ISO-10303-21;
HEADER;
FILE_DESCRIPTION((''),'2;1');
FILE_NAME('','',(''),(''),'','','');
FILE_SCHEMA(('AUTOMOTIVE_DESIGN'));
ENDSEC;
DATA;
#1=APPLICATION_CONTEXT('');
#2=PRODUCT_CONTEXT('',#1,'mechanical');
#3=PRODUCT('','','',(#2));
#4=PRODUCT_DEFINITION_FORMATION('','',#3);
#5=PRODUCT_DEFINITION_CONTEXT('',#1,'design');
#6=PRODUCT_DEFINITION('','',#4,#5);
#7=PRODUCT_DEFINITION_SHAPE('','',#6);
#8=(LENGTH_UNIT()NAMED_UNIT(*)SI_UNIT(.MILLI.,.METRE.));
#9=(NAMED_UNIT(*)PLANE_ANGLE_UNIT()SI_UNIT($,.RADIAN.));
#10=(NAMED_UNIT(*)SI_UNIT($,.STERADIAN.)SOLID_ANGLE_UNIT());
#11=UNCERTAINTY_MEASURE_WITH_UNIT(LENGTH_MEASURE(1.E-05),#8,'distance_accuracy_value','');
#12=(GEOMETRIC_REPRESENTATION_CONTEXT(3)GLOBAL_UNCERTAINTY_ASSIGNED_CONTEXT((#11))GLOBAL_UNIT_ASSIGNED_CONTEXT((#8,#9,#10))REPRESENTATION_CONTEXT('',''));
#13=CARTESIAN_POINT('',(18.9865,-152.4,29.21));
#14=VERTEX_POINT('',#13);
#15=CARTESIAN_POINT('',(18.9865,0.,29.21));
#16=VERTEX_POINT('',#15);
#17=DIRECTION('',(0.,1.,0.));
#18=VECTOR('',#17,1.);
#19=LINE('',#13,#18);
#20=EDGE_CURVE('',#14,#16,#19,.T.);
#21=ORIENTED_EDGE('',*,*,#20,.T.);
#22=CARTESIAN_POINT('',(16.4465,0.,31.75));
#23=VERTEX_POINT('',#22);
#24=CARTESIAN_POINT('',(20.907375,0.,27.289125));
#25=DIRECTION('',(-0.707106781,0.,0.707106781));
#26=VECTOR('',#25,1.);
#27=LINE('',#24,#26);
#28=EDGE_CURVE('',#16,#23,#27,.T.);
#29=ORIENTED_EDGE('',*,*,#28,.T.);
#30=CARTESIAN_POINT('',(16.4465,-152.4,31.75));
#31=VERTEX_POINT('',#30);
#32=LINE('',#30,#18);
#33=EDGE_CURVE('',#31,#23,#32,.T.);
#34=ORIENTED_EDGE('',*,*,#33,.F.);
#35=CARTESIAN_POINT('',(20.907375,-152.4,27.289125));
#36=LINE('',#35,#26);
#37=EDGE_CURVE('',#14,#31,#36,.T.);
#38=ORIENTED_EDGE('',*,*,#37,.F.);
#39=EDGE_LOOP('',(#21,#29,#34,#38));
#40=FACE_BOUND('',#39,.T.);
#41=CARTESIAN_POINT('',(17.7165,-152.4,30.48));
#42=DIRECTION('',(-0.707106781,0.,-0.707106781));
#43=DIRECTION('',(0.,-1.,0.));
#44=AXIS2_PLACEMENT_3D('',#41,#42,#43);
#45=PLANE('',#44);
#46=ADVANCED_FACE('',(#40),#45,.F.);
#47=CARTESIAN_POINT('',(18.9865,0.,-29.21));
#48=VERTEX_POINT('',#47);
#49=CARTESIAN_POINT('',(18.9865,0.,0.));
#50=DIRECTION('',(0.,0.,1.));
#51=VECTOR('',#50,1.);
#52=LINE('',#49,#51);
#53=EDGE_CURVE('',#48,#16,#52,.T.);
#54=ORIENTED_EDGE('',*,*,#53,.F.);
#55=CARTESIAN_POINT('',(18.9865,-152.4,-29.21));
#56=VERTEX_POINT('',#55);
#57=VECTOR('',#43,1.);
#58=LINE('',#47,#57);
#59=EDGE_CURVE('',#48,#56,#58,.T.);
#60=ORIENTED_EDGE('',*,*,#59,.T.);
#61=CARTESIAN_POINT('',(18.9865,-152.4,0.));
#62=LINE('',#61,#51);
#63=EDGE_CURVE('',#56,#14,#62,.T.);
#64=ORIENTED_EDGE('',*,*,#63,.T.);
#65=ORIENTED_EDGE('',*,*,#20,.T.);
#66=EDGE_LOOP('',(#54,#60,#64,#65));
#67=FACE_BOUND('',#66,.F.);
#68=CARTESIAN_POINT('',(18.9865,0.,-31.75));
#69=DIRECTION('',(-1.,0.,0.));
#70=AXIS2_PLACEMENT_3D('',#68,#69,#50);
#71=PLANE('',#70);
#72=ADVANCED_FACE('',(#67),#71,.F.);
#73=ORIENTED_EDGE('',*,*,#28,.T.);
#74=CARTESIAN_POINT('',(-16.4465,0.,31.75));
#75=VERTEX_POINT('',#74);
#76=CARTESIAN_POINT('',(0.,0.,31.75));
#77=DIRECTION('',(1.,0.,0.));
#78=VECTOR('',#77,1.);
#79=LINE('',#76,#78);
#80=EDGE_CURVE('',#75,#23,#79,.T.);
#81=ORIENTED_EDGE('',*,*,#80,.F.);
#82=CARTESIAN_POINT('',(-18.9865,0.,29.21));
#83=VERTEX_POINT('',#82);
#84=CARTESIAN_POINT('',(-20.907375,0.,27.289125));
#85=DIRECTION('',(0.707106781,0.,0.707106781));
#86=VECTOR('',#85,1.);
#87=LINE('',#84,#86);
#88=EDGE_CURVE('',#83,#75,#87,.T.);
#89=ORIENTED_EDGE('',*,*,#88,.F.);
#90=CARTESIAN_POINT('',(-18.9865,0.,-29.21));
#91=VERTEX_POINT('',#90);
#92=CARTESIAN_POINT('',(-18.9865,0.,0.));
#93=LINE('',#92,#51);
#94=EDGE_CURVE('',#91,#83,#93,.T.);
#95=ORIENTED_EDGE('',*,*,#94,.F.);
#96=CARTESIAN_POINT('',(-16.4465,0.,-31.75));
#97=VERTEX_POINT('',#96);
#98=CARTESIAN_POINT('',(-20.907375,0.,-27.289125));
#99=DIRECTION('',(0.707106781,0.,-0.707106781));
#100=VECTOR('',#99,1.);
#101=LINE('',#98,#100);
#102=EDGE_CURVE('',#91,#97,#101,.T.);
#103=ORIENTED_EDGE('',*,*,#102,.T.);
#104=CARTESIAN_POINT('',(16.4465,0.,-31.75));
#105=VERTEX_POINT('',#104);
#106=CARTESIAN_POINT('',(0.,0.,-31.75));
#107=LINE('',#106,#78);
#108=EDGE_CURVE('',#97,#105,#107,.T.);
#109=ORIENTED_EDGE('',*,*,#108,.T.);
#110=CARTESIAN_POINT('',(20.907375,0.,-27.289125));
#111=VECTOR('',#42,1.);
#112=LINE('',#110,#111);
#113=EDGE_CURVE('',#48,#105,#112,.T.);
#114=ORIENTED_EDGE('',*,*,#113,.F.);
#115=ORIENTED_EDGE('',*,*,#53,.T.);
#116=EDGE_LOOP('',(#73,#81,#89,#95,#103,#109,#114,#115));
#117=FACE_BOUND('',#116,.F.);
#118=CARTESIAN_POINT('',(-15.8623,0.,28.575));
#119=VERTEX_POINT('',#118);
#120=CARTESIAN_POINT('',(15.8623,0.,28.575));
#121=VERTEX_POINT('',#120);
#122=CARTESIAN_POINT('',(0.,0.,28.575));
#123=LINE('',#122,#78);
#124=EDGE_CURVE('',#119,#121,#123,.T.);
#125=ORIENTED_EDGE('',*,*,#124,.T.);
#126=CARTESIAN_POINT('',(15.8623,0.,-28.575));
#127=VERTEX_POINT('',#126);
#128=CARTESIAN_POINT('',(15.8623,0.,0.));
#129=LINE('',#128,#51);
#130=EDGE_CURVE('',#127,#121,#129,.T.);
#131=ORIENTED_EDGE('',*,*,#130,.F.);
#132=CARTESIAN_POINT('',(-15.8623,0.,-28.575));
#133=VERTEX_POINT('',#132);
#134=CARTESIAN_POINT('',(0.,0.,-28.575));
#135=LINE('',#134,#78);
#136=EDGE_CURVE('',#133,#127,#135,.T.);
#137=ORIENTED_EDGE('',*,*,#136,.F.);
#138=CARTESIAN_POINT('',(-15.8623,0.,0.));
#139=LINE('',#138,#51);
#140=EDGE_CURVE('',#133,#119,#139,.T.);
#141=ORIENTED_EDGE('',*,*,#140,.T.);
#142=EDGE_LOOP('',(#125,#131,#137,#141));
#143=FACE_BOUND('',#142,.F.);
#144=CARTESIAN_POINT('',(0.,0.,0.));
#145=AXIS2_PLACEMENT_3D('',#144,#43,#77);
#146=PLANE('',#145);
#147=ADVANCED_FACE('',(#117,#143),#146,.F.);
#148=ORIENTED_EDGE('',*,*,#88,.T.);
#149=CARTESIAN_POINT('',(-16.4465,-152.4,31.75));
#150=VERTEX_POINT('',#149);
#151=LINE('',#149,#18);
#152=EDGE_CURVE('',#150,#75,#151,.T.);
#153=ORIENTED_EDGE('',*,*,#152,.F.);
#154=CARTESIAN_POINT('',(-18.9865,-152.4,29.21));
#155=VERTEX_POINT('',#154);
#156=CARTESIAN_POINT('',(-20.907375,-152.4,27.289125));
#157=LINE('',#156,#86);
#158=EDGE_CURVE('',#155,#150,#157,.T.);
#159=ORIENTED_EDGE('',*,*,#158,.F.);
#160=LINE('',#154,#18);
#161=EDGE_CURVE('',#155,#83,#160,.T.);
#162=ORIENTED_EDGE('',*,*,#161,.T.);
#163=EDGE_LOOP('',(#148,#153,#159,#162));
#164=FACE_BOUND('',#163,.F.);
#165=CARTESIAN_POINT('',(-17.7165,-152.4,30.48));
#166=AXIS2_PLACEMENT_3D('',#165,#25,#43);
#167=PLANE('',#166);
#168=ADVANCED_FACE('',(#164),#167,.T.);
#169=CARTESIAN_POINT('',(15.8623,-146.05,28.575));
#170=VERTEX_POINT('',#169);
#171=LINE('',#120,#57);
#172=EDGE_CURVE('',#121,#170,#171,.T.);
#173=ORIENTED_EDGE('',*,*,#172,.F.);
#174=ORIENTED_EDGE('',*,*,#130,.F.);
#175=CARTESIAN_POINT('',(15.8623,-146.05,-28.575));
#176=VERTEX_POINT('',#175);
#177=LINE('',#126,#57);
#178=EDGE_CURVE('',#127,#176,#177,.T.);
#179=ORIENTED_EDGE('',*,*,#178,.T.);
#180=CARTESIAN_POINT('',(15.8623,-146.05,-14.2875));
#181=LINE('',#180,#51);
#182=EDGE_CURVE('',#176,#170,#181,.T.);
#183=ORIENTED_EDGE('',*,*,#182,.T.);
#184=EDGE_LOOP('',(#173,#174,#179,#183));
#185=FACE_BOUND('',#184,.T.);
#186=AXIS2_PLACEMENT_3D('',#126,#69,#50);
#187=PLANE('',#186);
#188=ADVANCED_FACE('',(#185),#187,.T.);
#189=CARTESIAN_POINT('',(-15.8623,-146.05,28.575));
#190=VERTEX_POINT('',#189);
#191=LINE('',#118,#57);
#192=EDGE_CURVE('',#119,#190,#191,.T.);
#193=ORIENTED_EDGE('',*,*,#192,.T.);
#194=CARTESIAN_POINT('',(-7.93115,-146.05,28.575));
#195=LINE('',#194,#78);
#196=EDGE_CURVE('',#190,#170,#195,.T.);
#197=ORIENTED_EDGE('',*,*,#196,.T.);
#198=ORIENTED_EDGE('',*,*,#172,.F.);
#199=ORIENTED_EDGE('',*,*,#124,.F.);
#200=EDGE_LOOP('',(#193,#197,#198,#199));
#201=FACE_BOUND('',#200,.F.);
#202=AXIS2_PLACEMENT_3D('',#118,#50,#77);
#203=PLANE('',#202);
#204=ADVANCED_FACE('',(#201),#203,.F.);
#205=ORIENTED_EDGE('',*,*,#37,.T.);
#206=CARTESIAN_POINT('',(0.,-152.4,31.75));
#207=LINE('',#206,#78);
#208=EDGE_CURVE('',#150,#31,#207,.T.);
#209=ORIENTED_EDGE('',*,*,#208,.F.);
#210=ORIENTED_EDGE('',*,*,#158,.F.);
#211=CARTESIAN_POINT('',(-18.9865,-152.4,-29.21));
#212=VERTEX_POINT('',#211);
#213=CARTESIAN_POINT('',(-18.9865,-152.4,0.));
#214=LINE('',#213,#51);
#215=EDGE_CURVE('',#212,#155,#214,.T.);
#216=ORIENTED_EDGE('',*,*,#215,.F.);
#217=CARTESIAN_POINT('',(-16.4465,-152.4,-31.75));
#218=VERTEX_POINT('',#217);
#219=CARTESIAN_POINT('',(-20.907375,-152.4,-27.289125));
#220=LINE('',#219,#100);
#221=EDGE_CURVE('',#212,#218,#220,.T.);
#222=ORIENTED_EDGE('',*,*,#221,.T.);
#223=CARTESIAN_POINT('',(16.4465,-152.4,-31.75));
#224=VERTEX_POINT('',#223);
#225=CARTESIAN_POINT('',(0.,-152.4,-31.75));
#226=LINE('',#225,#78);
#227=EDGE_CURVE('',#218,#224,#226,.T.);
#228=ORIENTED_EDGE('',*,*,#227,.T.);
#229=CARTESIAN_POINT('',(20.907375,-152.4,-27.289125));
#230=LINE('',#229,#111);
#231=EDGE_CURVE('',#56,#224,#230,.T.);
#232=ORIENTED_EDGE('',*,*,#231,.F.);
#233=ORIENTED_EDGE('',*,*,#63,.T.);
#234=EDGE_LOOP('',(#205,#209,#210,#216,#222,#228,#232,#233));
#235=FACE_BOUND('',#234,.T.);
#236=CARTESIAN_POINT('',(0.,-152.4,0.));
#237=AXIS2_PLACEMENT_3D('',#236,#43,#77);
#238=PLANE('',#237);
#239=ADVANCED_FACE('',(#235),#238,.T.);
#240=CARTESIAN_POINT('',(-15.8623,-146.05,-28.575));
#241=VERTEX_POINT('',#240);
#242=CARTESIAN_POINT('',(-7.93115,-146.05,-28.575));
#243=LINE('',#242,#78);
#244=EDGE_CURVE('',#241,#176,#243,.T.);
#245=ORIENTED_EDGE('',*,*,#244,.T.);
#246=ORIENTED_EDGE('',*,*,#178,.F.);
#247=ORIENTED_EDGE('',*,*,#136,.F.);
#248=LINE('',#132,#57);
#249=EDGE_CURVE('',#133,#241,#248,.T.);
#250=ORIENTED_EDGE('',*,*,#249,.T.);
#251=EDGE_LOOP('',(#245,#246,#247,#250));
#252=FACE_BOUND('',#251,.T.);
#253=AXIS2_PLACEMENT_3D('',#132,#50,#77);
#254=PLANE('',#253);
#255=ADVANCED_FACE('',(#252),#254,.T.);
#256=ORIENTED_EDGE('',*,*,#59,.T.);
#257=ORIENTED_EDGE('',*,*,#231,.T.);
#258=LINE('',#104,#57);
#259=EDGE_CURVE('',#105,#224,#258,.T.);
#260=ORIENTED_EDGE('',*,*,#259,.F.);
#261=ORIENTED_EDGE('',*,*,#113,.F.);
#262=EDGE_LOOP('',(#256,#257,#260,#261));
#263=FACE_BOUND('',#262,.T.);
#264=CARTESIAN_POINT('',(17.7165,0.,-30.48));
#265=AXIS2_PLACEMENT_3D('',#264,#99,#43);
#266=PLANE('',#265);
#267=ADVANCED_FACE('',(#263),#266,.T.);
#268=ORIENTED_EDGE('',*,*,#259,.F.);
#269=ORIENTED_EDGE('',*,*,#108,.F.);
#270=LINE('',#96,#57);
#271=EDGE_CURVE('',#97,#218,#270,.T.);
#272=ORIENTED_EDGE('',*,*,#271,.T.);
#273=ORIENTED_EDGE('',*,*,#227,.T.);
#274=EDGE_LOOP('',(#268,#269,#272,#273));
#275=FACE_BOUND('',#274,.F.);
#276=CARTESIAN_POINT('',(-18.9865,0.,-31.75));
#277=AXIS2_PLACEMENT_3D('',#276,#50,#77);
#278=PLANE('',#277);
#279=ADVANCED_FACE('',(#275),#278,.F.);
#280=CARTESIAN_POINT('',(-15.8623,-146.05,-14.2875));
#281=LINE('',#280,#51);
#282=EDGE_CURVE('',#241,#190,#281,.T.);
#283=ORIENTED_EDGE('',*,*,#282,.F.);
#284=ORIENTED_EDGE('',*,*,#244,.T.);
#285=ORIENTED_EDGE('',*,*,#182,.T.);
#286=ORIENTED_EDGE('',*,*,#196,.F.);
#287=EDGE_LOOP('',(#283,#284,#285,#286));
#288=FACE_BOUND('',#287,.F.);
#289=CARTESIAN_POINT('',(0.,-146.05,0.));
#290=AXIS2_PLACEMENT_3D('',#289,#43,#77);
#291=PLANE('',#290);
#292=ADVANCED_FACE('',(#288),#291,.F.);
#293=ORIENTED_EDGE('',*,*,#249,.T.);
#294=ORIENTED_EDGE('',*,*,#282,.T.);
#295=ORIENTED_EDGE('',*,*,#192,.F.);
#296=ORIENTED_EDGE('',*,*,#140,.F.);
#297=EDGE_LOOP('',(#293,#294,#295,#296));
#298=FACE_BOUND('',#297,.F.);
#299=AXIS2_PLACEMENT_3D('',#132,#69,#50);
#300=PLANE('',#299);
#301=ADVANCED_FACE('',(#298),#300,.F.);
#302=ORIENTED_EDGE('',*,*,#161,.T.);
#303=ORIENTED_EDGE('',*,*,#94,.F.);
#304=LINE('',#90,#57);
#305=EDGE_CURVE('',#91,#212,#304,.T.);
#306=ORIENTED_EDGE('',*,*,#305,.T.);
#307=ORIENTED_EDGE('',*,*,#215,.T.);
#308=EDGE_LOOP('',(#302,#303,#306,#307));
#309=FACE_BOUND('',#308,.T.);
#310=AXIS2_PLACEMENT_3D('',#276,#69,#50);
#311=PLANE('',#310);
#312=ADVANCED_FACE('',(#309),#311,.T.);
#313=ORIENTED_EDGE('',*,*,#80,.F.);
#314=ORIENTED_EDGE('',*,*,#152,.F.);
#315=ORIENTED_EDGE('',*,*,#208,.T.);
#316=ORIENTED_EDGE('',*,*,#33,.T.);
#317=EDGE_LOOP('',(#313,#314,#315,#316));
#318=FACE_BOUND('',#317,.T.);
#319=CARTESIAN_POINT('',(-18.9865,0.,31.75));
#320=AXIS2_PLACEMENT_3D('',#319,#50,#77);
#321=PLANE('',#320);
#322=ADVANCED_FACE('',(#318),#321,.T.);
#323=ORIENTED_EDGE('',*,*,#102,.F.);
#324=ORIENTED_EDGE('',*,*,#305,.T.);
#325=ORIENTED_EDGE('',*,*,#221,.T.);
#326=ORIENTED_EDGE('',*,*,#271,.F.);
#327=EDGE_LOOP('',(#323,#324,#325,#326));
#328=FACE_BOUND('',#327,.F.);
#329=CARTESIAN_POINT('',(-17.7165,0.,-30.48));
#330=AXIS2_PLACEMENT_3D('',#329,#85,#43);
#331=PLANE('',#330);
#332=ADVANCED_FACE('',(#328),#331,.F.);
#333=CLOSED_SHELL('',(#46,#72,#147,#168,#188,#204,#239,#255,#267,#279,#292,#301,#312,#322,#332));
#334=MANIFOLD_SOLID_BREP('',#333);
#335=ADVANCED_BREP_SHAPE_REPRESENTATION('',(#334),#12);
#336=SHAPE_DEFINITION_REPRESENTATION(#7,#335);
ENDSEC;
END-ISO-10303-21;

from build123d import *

# Parameters (mm, degrees)
F0_W     = 37.973
F0_H     = 63.5
F0_W_2   = 31.7246
F0_H_2   = 57.15
F1_DEPTH = 152.4
F2_W     = 37.973
F2_H     = 63.5
F3_DEPTH = 6.35
F5_SIZE  = 2.54


with BuildPart() as f1:
    # F0 (on Front) → F1 (new body)
    with BuildSketch(Plane.XZ):
        Rectangle(F0_W, F0_H)
        Rectangle(F0_W_2, F0_H_2, mode=Mode.SUBTRACT)
    extrude(amount=F1_DEPTH)

    # F2 (on face) → F3 (join)
    with BuildSketch(Plane.XZ.offset(152.4)):
        Rectangle(F2_W, F2_H)
    extrude(amount=-F3_DEPTH)

    # F5
    f5_edges = [f1.edges().sort_by_distance(p)[0] for p in [
        (18.9865, -76.2, 31.75),
        (-18.9865, -76.2, 31.75),
        (18.9865, -76.2, -31.75),
        (-18.9865, -76.2, -31.75),
    ]]
    chamfer(f5_edges, length=F5_SIZE)


solid = f1.part
